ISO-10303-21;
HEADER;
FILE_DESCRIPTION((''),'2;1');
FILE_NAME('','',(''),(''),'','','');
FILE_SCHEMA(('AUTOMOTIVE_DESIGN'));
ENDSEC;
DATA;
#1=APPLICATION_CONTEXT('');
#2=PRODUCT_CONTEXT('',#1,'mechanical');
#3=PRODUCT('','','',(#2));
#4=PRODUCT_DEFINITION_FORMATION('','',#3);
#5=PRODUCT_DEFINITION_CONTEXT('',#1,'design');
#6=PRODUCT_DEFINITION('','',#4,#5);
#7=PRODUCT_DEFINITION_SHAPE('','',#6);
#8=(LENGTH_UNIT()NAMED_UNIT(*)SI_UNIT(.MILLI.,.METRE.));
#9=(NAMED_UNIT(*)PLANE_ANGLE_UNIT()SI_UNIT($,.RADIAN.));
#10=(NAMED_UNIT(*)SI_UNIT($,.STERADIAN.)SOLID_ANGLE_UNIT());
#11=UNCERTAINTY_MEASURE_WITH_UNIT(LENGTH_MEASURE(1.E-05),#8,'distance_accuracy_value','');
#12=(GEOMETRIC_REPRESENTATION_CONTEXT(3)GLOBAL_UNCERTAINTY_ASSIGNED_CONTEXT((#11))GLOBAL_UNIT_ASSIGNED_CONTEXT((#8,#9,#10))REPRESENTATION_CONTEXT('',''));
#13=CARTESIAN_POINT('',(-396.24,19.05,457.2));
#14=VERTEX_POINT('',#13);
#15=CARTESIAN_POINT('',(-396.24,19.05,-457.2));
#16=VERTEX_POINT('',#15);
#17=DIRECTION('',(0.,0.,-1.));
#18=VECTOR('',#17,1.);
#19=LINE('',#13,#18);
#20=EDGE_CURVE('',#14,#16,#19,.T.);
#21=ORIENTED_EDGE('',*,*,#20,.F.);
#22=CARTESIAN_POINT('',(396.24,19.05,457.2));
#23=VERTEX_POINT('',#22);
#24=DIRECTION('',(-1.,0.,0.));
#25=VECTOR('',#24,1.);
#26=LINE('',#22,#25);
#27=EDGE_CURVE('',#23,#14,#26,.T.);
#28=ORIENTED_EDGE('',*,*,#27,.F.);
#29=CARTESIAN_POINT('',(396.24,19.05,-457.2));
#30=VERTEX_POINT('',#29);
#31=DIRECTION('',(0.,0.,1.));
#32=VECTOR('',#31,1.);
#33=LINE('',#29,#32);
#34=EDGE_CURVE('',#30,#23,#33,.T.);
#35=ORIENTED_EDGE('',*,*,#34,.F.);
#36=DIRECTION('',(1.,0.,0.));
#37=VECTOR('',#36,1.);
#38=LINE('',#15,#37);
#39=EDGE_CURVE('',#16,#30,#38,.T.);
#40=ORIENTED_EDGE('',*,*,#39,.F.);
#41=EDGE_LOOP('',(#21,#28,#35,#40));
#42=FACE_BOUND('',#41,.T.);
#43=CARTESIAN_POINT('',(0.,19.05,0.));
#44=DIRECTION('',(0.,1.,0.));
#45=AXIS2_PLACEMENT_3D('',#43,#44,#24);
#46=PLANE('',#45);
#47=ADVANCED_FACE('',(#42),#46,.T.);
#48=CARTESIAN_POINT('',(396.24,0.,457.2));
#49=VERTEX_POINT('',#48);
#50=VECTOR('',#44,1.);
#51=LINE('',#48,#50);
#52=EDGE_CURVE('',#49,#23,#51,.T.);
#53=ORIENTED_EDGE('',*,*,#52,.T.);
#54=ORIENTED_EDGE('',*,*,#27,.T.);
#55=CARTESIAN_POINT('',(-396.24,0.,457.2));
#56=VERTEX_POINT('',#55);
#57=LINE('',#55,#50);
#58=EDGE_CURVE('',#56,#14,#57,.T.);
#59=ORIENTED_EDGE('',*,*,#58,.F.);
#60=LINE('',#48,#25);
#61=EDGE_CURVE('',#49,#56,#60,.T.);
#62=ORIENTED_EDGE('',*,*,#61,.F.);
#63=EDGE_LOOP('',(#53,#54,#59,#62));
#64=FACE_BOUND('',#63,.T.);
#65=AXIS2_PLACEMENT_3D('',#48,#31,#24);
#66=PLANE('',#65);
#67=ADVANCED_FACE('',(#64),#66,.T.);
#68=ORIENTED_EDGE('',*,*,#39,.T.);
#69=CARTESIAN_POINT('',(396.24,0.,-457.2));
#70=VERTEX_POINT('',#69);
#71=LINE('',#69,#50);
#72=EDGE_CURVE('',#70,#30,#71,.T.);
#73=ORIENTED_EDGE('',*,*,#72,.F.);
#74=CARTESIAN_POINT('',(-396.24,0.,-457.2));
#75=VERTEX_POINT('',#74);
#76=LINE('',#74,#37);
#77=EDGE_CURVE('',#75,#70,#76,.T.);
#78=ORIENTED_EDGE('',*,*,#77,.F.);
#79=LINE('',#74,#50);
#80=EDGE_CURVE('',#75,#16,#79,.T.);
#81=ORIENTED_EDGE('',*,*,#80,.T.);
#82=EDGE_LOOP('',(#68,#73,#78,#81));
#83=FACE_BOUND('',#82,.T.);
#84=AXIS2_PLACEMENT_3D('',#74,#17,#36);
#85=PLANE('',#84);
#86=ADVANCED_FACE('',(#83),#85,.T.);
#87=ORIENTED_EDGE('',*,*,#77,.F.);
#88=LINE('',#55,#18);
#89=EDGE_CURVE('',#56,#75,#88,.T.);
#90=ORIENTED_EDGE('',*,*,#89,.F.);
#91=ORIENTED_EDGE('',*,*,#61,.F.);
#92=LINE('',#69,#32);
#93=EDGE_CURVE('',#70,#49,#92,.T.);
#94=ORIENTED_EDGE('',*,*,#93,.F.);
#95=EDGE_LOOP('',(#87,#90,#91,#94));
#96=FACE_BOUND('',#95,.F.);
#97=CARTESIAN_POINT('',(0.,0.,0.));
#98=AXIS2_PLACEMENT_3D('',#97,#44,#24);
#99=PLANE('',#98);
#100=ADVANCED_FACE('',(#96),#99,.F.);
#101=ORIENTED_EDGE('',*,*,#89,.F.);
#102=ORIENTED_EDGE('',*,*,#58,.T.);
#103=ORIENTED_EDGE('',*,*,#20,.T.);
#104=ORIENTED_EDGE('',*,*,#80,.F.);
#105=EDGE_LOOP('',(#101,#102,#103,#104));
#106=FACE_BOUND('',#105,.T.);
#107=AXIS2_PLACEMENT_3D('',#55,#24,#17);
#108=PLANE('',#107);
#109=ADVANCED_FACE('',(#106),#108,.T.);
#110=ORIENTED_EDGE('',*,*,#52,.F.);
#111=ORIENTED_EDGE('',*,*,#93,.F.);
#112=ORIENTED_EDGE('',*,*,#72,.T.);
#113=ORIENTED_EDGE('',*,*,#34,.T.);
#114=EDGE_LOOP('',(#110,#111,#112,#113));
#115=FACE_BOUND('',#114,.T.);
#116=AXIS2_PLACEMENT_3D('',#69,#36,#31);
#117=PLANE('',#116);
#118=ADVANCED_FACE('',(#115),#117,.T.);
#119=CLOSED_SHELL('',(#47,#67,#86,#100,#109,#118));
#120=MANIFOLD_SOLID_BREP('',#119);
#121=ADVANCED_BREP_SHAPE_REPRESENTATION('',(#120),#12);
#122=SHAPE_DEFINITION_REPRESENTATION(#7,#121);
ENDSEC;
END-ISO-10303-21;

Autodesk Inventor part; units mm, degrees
ref_plane "YZ Plane" through (0, 0, 0) normal (1, 0, 0) x (0, 1, 0)
ref_plane "XZ Plane" through (0, 0, 0) normal (0, 1, 0) x (-1, 0, 0)
ref_plane "XY Plane" through (0, 0, 0) normal (0, 0, 1) x (1, 0, 0)
sketch "Sketch1" plane through (0, 0, 0) normal (0, 1, 0) x (-1, 0, 0)
  line L0 (-396.24, 457.2) -> (396.24, 457.2)
  line L1 (396.24, 457.2) -> (396.24, -457.2)
  line L2 (396.24, -457.2) -> (-396.24, -457.2)
  line L3 (-396.24, -457.2) -> (-396.24, 457.2)
  line L4 (-396.24, 457.2) -> (396.24, -457.2) construction
  line L5 (396.24, 457.2) -> (-396.24, -457.2) construction
  point P0 (0, 0)
  dimension "d0" = 914.4
  dimension "d1" = 792.48
extrude "Extrusion1" add sketch "Sketch1" along normal blind 19.05
properties part number "WoodBase" material "Wood (Birch)"
